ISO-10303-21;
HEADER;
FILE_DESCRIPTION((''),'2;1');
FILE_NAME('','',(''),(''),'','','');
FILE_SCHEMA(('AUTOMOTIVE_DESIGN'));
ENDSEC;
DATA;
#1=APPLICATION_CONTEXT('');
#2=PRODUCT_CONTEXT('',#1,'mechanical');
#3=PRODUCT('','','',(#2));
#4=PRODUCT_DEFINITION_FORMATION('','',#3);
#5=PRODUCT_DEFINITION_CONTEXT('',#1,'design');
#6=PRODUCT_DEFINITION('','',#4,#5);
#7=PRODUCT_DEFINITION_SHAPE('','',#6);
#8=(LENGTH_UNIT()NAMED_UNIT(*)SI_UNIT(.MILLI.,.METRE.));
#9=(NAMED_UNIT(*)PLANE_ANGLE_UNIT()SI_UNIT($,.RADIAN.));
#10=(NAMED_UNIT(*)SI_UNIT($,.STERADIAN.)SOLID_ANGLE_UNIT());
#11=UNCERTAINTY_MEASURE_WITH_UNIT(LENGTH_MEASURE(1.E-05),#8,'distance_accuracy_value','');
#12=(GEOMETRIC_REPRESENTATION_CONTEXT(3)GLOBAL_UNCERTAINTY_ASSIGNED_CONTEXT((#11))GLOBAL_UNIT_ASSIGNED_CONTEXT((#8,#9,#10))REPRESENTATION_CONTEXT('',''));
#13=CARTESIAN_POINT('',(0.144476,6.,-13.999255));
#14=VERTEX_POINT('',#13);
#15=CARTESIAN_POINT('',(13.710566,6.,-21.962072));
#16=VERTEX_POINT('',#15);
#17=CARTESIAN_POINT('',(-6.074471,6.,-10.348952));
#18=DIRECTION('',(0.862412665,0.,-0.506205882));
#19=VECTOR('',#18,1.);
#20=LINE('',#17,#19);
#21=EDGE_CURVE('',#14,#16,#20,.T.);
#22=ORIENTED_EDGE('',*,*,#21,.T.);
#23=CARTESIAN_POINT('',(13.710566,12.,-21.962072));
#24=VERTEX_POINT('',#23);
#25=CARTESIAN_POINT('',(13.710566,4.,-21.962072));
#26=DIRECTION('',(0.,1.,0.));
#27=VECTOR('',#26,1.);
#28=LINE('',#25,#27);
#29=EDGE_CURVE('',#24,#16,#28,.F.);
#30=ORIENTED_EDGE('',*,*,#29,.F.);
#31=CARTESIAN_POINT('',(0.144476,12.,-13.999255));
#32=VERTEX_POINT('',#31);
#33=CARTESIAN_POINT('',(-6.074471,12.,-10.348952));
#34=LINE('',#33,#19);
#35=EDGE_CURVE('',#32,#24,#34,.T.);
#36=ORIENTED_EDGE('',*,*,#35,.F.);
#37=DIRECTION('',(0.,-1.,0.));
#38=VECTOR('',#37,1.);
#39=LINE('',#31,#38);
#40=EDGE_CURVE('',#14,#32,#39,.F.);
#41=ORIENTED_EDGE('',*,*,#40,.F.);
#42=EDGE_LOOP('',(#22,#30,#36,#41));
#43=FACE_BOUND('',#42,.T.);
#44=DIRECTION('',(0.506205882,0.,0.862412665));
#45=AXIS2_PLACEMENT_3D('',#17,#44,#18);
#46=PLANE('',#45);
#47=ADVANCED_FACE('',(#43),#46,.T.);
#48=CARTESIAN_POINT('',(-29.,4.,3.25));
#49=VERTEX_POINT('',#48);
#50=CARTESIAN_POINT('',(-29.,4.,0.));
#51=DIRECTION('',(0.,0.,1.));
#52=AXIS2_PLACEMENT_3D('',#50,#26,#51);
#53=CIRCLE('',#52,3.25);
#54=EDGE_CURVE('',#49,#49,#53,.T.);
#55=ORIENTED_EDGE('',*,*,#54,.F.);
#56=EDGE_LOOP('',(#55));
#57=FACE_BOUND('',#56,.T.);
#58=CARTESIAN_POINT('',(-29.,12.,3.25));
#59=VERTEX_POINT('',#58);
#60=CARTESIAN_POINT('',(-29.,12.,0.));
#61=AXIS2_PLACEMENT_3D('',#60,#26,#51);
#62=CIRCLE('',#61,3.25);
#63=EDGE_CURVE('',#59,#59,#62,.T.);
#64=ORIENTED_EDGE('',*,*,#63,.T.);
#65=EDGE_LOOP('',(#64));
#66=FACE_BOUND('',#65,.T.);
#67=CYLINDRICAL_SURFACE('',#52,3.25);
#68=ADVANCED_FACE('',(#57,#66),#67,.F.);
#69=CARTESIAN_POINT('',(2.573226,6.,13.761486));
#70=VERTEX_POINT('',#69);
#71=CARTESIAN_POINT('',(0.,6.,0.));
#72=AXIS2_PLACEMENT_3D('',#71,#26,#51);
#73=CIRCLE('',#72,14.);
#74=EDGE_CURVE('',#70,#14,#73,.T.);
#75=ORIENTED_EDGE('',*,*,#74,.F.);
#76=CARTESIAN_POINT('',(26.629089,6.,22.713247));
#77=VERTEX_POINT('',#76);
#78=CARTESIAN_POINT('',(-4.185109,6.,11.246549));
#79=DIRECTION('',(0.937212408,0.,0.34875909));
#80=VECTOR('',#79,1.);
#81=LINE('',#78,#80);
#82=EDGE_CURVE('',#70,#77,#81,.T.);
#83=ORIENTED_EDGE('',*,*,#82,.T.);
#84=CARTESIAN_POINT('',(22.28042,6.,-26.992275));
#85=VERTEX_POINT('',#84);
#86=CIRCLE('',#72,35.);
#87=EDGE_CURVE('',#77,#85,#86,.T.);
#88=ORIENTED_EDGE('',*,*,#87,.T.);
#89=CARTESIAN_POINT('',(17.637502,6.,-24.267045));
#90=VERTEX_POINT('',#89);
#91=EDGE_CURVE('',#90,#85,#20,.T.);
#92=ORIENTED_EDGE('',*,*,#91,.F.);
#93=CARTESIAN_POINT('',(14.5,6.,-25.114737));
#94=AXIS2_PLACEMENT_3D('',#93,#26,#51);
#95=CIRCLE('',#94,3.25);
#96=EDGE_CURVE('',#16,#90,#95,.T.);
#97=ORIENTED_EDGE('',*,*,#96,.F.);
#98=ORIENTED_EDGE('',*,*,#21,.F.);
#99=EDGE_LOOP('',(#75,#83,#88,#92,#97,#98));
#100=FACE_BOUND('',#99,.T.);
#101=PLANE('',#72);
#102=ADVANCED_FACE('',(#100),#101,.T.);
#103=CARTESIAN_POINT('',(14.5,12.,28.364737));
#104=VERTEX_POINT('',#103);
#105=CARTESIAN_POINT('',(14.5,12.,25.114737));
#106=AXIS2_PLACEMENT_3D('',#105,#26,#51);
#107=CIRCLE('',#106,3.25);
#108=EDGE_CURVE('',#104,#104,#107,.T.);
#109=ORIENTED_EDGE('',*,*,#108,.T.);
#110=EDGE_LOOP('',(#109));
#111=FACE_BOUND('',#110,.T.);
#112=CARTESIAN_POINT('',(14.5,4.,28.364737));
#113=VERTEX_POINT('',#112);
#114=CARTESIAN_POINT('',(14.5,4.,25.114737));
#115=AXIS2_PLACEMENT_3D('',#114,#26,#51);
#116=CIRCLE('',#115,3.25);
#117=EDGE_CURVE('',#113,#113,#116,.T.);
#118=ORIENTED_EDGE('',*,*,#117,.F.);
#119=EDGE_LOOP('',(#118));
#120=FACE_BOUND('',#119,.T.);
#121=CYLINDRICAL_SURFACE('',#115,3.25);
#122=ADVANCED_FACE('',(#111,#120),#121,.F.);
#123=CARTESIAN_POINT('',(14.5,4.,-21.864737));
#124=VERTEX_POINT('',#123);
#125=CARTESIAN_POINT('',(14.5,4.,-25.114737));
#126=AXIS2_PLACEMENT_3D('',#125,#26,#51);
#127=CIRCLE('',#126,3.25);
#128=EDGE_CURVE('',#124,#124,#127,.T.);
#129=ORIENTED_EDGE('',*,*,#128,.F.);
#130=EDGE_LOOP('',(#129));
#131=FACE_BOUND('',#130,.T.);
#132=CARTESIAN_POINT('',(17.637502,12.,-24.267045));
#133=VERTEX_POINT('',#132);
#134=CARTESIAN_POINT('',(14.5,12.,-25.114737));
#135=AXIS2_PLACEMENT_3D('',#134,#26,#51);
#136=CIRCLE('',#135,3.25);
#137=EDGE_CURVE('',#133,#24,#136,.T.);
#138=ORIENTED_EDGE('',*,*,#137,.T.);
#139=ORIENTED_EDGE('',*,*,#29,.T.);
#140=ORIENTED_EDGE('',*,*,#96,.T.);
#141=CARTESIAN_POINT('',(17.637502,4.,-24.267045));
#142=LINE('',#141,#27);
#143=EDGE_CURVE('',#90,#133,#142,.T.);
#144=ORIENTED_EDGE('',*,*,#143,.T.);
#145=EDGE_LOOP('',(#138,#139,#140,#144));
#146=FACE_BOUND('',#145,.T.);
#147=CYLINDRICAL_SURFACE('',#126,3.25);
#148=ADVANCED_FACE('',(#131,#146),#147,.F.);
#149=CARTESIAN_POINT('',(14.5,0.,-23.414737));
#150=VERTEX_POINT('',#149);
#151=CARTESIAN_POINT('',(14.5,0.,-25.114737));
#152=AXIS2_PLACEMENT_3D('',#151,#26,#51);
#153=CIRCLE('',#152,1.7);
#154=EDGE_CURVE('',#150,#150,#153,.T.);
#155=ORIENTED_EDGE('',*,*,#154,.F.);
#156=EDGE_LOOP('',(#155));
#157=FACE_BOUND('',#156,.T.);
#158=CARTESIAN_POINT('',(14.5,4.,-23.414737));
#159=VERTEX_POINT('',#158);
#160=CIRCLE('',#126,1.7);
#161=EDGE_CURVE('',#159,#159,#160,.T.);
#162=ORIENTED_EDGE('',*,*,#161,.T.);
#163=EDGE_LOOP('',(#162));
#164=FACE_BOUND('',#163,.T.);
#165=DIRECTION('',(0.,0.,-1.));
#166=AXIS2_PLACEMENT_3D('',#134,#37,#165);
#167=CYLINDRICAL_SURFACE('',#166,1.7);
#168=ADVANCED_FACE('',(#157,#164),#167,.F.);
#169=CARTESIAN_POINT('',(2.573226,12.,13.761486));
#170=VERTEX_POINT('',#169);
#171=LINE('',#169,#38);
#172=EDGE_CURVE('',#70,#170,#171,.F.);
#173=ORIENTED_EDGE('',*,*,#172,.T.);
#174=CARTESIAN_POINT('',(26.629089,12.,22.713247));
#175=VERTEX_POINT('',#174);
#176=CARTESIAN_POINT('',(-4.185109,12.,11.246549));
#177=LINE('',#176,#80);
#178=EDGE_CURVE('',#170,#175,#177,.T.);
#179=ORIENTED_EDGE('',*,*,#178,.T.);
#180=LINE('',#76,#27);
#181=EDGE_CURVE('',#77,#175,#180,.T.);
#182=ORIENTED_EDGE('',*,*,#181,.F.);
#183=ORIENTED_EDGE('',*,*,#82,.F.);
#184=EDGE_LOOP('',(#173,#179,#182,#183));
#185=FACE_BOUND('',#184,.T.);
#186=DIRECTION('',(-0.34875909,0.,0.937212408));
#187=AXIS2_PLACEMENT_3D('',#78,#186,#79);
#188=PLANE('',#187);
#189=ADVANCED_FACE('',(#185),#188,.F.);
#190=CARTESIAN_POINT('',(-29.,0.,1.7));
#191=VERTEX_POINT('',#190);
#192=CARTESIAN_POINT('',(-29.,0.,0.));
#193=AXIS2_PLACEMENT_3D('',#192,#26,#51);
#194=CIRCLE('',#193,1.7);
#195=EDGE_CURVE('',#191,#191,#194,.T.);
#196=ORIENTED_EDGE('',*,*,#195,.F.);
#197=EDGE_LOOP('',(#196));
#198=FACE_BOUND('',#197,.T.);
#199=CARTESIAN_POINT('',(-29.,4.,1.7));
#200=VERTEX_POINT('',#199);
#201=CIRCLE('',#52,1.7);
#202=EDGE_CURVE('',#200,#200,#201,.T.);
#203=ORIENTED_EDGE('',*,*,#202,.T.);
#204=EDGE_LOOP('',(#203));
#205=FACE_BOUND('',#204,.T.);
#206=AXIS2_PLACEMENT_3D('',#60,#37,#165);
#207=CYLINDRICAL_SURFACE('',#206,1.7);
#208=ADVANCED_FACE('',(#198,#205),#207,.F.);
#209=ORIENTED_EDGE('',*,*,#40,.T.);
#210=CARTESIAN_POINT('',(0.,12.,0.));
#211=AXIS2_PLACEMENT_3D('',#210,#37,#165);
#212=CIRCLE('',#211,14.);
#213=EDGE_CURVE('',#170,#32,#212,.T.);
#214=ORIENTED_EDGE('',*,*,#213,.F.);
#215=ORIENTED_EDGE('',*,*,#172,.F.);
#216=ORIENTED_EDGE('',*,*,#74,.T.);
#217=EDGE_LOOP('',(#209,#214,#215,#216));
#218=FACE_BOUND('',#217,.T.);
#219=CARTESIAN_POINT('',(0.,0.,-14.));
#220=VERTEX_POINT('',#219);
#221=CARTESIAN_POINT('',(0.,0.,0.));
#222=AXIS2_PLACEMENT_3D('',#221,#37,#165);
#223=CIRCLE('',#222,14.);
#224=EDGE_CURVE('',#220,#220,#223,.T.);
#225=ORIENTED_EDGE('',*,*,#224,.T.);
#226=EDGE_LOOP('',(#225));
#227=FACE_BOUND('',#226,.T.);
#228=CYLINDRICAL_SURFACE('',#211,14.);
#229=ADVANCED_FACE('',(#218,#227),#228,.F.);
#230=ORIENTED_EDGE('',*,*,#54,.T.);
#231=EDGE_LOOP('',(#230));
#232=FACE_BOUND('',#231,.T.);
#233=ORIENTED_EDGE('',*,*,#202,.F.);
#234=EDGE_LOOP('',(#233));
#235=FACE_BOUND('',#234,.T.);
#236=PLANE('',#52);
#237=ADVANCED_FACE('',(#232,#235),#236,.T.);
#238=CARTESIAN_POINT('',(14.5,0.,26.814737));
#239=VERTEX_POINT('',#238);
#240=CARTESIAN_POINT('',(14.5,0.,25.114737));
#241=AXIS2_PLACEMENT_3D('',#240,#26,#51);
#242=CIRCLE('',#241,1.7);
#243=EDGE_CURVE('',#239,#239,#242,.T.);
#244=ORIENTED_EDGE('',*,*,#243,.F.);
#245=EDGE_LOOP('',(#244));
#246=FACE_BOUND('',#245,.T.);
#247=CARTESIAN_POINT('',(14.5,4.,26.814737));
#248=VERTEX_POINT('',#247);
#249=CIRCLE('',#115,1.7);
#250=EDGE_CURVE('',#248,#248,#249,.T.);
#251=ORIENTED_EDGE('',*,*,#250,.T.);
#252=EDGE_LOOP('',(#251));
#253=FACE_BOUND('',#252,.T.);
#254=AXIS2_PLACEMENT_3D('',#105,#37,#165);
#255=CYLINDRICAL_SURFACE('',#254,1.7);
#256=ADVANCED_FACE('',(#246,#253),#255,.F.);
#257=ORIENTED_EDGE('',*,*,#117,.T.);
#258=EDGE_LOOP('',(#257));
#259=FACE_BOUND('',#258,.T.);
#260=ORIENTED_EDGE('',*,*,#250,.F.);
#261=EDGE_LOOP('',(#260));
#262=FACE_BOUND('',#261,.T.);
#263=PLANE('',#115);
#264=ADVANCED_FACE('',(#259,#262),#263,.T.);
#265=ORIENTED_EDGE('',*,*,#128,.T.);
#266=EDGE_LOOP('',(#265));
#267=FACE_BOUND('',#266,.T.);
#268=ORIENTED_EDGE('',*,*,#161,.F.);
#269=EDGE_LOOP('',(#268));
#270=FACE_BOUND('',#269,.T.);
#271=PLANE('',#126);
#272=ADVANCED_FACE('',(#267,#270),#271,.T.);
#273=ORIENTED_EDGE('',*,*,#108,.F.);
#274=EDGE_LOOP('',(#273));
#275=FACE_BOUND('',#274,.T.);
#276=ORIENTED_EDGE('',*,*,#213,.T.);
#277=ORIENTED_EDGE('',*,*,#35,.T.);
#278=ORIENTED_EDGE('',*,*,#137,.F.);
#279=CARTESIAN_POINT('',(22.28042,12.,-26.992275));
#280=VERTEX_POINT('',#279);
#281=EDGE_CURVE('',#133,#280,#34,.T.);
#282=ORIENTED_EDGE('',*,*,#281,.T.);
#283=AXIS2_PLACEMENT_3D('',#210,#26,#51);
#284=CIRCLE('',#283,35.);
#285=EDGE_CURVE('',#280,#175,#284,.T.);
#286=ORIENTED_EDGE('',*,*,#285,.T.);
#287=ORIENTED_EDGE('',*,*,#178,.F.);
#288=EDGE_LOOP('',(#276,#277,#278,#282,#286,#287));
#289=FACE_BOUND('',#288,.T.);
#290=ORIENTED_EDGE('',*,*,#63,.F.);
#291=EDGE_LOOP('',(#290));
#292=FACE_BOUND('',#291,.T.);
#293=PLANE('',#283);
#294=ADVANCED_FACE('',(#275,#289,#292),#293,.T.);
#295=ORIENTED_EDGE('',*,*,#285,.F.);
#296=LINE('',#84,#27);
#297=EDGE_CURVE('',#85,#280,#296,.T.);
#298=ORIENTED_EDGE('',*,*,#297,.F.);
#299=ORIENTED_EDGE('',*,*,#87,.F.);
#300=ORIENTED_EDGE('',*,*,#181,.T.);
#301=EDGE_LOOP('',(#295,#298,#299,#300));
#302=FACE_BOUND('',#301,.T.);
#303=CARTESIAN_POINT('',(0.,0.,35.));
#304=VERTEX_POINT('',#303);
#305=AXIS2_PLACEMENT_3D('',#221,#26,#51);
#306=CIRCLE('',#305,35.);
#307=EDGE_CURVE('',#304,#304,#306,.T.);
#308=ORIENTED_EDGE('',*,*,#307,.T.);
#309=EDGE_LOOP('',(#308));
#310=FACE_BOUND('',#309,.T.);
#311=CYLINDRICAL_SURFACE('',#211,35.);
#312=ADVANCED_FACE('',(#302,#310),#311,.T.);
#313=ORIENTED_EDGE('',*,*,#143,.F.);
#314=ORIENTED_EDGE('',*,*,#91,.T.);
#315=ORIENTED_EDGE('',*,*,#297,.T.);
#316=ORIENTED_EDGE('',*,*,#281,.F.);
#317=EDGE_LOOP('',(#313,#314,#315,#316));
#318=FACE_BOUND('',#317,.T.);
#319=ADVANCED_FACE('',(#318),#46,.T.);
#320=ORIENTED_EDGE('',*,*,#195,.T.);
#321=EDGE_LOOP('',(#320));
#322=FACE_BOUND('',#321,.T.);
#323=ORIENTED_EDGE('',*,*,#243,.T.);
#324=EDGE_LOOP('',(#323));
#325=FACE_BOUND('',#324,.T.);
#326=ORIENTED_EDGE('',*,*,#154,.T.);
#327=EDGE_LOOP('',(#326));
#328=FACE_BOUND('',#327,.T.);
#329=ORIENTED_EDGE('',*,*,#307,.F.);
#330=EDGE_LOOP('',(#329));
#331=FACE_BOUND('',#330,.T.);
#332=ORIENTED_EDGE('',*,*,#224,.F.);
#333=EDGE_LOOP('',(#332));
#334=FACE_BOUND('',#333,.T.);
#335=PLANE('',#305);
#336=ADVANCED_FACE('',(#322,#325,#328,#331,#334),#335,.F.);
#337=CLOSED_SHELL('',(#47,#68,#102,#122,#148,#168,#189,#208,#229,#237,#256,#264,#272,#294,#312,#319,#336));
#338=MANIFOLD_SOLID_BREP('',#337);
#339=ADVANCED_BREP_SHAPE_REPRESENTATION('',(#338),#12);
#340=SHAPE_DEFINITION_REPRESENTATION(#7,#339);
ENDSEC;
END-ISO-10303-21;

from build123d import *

# Parameters (mm, degrees)
SKETCH_1_R          = 35
SKETCH_1_R_2        = 1.7
EXTRUDE_1_DEPTH     = 12
CUT_EXTRUDE_1_DEPTH = 6
SKETCH_4_R          = 14
CUT_EXTRUDE_3_DEPTH = 51.931326313
SKETCH_5_R          = 3.25
CUT_EXTRUDE_4_DEPTH = 8


with BuildPart() as part:
    # 草图1 → 凸台-拉伸1 (new body)
    with BuildSketch(Plane(origin=(0, 0, 0), x_dir=(1, 0, 0), z_dir=(0, 1, 0))):
        with Locations(Location((0, 0, 0), (0, 0, 270))):
            Circle(SKETCH_1_R)
        with Locations(Location((14.5, 25.11473671, 0), (0, 0, 270))):
            Circle(SKETCH_1_R_2, mode=Mode.SUBTRACT)
        with Locations(Location((14.5, -25.11473671, 0), (0, 0, 270))):
            Circle(SKETCH_1_R_2, mode=Mode.SUBTRACT)
        with Locations(Location((-29, 0, 0), (0, 0, 270))):
            Circle(SKETCH_1_R_2, mode=Mode.SUBTRACT)
    extrude(amount=EXTRUDE_1_DEPTH)

    # 草图2 → 切除-拉伸1 (cut)
    with BuildSketch(Plane(origin=(0, 12, 0), x_dir=(1, 0, 0), z_dir=(0, 1, 0))):
        with BuildLine():
            Line((35.785871092, 34.919499283), (-6.074470585, 10.348951981))
            ThreePointArc((-6.074470585, 10.348951981), (-11.954336377, -1.045868913), (-4.185109075, -11.246548894))
            Line((-4.185109075, -11.246548894), (41.305910715, -28.174842324))
            ThreePointArc((41.305910715, -28.174842324), (49.809734905, 4.357787137), (35.785871092, 34.919499283))
        make_face()
    extrude(amount=-CUT_EXTRUDE_1_DEPTH, mode=Mode.SUBTRACT)

    # 草图4 → 切除-拉伸3 (cut, through all)
    with BuildSketch(Plane.XZ):
        with Locations(Location((0, 0, 0), (0, 0, 270))):
            Circle(SKETCH_4_R)
    extrude(amount=-CUT_EXTRUDE_3_DEPTH, mode=Mode.SUBTRACT)

    # 草图5 → 切除-拉伸4 (cut)
    with BuildSketch(Plane(origin=(0, 12, 0), x_dir=(1, 0, 0), z_dir=(0, 1, 0))):
        with Locations(Location((14.5, 25.11473671, 0), (0, 0, 270))):
            Circle(SKETCH_5_R)
        with Locations(Location((14.5, -25.11473671, 0), (0, 0, 270))):
            Circle(SKETCH_5_R)
        with Locations(Location((-29, 0, 0), (0, 0, 270))):
            Circle(SKETCH_5_R)
    extrude(amount=-CUT_EXTRUDE_4_DEPTH, mode=Mode.SUBTRACT)


solid = part.part
